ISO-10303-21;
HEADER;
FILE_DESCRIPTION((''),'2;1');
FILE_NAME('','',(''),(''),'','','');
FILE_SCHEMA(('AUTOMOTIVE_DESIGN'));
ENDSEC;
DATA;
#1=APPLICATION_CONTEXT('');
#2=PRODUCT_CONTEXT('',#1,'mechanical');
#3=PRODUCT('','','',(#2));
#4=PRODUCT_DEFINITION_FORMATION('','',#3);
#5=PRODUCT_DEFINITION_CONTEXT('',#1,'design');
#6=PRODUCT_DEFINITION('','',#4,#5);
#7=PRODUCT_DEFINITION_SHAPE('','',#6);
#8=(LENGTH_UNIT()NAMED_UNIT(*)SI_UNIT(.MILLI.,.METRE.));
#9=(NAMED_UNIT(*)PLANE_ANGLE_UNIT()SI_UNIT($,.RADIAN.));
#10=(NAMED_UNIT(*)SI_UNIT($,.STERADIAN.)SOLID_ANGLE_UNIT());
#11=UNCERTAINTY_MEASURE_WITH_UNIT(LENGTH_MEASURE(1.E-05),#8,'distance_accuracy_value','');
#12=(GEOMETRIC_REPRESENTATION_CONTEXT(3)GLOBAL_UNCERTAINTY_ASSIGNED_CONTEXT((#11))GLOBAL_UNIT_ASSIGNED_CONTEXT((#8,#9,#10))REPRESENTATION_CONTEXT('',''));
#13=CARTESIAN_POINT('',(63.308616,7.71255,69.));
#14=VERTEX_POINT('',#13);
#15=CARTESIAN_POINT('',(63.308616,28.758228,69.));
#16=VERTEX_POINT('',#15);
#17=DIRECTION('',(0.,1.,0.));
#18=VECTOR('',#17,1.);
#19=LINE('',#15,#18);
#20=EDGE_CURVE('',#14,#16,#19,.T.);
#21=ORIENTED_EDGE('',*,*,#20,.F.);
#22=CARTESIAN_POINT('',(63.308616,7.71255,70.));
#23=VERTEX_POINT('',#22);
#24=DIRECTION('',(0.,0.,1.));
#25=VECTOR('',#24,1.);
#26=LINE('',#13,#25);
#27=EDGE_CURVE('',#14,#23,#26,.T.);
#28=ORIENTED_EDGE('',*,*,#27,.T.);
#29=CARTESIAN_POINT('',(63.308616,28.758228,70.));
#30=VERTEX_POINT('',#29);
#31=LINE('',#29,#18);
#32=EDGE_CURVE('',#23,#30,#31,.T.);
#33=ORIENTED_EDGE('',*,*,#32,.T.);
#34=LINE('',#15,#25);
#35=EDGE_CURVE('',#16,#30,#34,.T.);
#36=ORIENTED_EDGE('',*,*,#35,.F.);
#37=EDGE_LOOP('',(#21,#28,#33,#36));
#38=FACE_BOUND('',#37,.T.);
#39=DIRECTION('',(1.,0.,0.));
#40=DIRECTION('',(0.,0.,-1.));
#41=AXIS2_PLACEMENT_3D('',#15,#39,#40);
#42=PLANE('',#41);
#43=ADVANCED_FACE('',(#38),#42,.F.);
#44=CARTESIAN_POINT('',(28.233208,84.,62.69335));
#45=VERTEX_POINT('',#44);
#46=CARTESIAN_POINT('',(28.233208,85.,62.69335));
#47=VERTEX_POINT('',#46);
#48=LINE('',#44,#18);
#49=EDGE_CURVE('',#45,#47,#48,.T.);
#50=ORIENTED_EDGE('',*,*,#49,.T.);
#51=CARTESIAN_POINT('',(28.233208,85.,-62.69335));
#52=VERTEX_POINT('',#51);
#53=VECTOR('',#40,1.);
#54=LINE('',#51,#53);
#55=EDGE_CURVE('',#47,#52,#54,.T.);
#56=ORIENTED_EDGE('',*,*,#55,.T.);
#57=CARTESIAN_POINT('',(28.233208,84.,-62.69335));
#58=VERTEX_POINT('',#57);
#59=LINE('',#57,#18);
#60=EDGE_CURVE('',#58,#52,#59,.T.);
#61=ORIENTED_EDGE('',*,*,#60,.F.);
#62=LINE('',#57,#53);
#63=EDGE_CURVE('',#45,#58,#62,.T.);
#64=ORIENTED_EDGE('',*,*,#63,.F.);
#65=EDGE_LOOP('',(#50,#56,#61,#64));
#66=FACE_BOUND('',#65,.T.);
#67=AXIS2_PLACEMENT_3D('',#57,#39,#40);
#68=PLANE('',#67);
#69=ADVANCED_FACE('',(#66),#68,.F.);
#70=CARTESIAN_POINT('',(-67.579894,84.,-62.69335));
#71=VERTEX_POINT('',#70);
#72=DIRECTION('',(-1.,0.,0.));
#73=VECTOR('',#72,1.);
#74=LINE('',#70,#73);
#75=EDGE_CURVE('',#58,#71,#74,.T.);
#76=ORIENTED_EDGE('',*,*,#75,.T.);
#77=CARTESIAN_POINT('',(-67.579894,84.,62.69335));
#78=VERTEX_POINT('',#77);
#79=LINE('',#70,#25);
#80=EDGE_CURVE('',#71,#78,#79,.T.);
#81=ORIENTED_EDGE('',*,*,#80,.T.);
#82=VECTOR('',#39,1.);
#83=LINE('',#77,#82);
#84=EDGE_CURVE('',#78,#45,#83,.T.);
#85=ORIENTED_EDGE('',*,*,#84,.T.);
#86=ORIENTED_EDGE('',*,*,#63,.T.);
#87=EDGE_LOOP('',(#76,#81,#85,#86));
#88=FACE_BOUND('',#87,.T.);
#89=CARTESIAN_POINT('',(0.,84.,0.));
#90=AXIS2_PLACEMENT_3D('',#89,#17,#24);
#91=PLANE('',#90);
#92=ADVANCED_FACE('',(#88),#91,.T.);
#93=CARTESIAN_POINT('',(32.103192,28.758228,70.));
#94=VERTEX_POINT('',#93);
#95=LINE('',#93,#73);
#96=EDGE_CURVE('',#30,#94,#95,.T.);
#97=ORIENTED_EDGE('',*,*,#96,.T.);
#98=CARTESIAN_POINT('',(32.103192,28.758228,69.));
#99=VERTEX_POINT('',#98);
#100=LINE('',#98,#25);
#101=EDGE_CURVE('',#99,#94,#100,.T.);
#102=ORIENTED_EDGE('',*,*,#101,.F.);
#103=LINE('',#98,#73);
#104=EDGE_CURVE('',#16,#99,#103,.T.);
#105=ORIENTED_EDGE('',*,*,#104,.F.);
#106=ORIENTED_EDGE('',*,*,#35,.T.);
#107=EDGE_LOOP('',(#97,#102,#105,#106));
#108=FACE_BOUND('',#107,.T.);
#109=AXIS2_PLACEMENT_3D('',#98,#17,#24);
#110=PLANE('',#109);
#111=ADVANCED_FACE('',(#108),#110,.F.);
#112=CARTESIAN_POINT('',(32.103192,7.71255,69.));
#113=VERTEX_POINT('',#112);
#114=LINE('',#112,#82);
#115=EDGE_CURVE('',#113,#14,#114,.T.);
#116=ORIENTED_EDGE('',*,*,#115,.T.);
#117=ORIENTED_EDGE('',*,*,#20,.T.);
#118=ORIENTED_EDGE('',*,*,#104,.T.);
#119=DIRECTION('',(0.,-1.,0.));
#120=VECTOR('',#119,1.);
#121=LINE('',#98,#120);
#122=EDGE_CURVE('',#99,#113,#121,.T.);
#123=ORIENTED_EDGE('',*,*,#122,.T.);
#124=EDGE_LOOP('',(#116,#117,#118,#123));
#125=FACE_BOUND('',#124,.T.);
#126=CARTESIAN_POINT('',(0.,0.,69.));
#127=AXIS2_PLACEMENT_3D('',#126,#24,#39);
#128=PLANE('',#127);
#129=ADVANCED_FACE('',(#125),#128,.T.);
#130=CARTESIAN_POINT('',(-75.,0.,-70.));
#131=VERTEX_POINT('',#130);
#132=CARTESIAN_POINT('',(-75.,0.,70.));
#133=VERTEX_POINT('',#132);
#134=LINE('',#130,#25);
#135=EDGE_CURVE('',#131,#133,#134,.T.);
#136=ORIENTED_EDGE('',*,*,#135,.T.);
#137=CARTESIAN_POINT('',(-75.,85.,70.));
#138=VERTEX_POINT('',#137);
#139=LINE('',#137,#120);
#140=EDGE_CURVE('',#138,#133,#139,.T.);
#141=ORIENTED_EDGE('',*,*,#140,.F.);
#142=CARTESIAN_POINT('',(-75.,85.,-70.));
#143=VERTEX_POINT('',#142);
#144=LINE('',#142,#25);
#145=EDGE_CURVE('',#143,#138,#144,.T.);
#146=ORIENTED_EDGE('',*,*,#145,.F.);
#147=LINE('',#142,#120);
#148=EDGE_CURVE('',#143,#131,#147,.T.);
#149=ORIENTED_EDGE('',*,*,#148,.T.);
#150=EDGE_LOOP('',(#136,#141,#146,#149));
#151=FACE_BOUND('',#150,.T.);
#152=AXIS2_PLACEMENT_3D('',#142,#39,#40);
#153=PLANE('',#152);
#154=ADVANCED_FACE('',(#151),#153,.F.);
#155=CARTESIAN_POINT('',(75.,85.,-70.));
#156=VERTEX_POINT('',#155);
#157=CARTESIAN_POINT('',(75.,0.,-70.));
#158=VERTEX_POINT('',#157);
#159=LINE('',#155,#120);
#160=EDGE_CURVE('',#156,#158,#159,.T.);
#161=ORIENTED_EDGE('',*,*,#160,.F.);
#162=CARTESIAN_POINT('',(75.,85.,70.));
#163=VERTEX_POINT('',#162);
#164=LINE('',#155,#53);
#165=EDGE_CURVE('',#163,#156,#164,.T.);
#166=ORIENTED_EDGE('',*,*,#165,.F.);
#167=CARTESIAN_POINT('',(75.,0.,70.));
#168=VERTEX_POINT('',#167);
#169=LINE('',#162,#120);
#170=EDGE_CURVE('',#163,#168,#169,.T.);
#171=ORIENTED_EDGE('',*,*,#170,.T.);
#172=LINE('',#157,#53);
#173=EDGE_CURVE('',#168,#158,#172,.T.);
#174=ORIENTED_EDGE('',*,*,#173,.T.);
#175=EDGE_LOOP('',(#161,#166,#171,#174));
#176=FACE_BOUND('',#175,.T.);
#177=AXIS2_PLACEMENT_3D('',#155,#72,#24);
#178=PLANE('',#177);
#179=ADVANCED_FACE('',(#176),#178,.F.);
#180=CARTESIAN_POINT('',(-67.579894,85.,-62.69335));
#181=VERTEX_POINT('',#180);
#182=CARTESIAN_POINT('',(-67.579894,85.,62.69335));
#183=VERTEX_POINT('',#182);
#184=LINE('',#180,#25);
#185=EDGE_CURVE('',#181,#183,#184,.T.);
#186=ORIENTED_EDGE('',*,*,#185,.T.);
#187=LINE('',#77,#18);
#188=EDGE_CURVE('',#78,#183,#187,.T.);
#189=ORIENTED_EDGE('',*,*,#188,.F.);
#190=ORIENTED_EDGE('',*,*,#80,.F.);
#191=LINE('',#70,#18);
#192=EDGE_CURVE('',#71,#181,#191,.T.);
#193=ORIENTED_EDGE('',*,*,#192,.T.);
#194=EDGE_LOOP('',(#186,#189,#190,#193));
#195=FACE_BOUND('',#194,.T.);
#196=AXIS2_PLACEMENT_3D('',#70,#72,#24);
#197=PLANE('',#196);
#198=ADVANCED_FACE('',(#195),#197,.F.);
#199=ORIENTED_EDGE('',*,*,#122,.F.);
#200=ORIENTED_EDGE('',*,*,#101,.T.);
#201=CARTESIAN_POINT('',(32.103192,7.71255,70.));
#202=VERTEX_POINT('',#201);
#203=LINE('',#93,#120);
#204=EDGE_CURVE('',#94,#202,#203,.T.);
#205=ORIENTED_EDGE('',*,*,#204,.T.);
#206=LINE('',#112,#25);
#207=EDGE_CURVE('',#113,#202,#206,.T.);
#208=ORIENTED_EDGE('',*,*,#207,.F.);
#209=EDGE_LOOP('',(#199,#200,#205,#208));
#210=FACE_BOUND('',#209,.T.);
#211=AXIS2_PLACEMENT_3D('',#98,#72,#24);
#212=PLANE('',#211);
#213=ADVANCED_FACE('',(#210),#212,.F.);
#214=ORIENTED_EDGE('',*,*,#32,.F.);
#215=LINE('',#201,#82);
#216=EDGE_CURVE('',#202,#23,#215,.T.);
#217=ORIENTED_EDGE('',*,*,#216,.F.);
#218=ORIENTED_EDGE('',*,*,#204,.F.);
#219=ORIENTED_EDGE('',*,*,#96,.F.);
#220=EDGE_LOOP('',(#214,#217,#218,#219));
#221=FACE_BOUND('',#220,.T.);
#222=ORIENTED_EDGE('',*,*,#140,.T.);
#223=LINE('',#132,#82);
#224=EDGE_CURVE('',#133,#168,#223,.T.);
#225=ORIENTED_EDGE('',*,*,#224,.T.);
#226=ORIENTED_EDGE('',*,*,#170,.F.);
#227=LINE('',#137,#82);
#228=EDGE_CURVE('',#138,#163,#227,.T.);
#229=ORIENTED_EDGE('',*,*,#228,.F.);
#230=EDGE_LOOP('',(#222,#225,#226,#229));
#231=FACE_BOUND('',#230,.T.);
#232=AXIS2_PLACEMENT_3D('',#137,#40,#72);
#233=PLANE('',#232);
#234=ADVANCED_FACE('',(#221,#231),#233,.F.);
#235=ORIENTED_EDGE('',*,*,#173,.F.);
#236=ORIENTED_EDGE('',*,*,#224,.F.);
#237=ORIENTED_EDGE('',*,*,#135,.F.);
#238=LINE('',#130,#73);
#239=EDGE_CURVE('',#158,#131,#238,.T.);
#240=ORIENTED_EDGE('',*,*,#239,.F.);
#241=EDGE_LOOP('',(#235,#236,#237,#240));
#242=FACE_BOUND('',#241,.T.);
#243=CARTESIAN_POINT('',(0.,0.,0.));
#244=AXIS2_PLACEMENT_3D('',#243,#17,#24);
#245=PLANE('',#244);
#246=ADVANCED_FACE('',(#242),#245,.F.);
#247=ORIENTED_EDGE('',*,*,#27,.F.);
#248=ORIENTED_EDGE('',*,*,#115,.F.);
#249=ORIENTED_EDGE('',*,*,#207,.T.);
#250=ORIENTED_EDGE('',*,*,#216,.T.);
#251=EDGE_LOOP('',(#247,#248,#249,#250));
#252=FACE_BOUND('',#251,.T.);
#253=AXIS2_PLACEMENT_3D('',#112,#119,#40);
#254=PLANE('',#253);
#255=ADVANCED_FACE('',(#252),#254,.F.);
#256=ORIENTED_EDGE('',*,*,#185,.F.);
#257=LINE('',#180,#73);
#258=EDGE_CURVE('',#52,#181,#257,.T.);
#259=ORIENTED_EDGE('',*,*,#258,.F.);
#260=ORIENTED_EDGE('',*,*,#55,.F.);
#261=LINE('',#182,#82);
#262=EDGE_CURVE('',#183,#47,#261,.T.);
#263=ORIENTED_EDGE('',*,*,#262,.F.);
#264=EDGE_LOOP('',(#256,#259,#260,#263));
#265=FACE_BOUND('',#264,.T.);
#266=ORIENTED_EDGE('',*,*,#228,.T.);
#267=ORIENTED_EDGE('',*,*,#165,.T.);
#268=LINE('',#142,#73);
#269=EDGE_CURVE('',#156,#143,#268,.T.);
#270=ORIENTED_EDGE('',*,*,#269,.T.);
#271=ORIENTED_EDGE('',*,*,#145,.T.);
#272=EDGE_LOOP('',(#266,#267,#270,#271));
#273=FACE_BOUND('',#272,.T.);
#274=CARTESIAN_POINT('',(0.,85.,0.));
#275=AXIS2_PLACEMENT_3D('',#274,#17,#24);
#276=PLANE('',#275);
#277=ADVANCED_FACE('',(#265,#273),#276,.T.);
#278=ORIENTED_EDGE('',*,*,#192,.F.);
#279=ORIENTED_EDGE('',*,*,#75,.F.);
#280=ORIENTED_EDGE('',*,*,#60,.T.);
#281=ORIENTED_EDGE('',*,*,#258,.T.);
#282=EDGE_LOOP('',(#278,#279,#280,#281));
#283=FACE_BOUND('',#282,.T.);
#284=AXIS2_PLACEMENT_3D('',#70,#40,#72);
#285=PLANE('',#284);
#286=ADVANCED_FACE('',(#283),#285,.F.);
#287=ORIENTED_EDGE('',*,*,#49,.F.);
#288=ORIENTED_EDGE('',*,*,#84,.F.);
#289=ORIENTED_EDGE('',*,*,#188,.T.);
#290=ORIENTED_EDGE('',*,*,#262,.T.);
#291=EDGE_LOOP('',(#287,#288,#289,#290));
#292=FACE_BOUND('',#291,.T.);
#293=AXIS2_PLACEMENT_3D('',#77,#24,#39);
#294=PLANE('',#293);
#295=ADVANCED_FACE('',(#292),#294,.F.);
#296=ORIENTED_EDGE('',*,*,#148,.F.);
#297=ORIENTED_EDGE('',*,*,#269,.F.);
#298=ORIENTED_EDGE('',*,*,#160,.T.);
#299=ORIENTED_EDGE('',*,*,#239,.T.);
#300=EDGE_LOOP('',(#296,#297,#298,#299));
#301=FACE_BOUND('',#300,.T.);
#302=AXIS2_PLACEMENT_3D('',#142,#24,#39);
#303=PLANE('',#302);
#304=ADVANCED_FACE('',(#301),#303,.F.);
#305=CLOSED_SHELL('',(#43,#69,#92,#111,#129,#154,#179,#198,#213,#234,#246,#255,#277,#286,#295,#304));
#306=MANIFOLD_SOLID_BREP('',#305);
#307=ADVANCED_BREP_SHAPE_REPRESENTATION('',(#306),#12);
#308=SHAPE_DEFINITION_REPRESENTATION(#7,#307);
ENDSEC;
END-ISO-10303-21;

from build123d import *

# Parameters (mm, degrees)
SKETCH1_W           = 150
SKETCH1_H           = 140
BOSS_EXTRUDE1_DEPTH = 85
SKETCH2_W           = 31.205424041
SKETCH2_H           = 21.045678937
CUT_EXTRUDE1_DEPTH  = 1
SKETCH3_W           = 95.813101978
SKETCH3_H           = 125.386699306
CUT_EXTRUDE2_DEPTH  = 1


with BuildPart() as part:
    # Sketch1 → Boss-Extrude1 (new body)
    with BuildSketch(Plane(origin=(0, 0, 0), x_dir=(1, 0, 0), z_dir=(0, 1, 0))):
        Rectangle(SKETCH1_W, SKETCH1_H)
    extrude(amount=BOSS_EXTRUDE1_DEPTH)

    # Sketch2 → Cut-Extrude1 (cut)
    with BuildSketch(Plane.XY.offset(70)):
        with Locations((47.705903702, 18.235389002)):
            Rectangle(SKETCH2_W, SKETCH2_H)
    extrude(amount=-CUT_EXTRUDE1_DEPTH, mode=Mode.SUBTRACT)

    # Sketch3 → Cut-Extrude2 (cut)
    with BuildSketch(Plane(origin=(0, 85, 0), x_dir=(1, 0, 0), z_dir=(0, 1, 0))):
        with Locations((-19.67334308, 0)):
            Rectangle(SKETCH3_W, SKETCH3_H)
    extrude(amount=-CUT_EXTRUDE2_DEPTH, mode=Mode.SUBTRACT)


solid = part.part
